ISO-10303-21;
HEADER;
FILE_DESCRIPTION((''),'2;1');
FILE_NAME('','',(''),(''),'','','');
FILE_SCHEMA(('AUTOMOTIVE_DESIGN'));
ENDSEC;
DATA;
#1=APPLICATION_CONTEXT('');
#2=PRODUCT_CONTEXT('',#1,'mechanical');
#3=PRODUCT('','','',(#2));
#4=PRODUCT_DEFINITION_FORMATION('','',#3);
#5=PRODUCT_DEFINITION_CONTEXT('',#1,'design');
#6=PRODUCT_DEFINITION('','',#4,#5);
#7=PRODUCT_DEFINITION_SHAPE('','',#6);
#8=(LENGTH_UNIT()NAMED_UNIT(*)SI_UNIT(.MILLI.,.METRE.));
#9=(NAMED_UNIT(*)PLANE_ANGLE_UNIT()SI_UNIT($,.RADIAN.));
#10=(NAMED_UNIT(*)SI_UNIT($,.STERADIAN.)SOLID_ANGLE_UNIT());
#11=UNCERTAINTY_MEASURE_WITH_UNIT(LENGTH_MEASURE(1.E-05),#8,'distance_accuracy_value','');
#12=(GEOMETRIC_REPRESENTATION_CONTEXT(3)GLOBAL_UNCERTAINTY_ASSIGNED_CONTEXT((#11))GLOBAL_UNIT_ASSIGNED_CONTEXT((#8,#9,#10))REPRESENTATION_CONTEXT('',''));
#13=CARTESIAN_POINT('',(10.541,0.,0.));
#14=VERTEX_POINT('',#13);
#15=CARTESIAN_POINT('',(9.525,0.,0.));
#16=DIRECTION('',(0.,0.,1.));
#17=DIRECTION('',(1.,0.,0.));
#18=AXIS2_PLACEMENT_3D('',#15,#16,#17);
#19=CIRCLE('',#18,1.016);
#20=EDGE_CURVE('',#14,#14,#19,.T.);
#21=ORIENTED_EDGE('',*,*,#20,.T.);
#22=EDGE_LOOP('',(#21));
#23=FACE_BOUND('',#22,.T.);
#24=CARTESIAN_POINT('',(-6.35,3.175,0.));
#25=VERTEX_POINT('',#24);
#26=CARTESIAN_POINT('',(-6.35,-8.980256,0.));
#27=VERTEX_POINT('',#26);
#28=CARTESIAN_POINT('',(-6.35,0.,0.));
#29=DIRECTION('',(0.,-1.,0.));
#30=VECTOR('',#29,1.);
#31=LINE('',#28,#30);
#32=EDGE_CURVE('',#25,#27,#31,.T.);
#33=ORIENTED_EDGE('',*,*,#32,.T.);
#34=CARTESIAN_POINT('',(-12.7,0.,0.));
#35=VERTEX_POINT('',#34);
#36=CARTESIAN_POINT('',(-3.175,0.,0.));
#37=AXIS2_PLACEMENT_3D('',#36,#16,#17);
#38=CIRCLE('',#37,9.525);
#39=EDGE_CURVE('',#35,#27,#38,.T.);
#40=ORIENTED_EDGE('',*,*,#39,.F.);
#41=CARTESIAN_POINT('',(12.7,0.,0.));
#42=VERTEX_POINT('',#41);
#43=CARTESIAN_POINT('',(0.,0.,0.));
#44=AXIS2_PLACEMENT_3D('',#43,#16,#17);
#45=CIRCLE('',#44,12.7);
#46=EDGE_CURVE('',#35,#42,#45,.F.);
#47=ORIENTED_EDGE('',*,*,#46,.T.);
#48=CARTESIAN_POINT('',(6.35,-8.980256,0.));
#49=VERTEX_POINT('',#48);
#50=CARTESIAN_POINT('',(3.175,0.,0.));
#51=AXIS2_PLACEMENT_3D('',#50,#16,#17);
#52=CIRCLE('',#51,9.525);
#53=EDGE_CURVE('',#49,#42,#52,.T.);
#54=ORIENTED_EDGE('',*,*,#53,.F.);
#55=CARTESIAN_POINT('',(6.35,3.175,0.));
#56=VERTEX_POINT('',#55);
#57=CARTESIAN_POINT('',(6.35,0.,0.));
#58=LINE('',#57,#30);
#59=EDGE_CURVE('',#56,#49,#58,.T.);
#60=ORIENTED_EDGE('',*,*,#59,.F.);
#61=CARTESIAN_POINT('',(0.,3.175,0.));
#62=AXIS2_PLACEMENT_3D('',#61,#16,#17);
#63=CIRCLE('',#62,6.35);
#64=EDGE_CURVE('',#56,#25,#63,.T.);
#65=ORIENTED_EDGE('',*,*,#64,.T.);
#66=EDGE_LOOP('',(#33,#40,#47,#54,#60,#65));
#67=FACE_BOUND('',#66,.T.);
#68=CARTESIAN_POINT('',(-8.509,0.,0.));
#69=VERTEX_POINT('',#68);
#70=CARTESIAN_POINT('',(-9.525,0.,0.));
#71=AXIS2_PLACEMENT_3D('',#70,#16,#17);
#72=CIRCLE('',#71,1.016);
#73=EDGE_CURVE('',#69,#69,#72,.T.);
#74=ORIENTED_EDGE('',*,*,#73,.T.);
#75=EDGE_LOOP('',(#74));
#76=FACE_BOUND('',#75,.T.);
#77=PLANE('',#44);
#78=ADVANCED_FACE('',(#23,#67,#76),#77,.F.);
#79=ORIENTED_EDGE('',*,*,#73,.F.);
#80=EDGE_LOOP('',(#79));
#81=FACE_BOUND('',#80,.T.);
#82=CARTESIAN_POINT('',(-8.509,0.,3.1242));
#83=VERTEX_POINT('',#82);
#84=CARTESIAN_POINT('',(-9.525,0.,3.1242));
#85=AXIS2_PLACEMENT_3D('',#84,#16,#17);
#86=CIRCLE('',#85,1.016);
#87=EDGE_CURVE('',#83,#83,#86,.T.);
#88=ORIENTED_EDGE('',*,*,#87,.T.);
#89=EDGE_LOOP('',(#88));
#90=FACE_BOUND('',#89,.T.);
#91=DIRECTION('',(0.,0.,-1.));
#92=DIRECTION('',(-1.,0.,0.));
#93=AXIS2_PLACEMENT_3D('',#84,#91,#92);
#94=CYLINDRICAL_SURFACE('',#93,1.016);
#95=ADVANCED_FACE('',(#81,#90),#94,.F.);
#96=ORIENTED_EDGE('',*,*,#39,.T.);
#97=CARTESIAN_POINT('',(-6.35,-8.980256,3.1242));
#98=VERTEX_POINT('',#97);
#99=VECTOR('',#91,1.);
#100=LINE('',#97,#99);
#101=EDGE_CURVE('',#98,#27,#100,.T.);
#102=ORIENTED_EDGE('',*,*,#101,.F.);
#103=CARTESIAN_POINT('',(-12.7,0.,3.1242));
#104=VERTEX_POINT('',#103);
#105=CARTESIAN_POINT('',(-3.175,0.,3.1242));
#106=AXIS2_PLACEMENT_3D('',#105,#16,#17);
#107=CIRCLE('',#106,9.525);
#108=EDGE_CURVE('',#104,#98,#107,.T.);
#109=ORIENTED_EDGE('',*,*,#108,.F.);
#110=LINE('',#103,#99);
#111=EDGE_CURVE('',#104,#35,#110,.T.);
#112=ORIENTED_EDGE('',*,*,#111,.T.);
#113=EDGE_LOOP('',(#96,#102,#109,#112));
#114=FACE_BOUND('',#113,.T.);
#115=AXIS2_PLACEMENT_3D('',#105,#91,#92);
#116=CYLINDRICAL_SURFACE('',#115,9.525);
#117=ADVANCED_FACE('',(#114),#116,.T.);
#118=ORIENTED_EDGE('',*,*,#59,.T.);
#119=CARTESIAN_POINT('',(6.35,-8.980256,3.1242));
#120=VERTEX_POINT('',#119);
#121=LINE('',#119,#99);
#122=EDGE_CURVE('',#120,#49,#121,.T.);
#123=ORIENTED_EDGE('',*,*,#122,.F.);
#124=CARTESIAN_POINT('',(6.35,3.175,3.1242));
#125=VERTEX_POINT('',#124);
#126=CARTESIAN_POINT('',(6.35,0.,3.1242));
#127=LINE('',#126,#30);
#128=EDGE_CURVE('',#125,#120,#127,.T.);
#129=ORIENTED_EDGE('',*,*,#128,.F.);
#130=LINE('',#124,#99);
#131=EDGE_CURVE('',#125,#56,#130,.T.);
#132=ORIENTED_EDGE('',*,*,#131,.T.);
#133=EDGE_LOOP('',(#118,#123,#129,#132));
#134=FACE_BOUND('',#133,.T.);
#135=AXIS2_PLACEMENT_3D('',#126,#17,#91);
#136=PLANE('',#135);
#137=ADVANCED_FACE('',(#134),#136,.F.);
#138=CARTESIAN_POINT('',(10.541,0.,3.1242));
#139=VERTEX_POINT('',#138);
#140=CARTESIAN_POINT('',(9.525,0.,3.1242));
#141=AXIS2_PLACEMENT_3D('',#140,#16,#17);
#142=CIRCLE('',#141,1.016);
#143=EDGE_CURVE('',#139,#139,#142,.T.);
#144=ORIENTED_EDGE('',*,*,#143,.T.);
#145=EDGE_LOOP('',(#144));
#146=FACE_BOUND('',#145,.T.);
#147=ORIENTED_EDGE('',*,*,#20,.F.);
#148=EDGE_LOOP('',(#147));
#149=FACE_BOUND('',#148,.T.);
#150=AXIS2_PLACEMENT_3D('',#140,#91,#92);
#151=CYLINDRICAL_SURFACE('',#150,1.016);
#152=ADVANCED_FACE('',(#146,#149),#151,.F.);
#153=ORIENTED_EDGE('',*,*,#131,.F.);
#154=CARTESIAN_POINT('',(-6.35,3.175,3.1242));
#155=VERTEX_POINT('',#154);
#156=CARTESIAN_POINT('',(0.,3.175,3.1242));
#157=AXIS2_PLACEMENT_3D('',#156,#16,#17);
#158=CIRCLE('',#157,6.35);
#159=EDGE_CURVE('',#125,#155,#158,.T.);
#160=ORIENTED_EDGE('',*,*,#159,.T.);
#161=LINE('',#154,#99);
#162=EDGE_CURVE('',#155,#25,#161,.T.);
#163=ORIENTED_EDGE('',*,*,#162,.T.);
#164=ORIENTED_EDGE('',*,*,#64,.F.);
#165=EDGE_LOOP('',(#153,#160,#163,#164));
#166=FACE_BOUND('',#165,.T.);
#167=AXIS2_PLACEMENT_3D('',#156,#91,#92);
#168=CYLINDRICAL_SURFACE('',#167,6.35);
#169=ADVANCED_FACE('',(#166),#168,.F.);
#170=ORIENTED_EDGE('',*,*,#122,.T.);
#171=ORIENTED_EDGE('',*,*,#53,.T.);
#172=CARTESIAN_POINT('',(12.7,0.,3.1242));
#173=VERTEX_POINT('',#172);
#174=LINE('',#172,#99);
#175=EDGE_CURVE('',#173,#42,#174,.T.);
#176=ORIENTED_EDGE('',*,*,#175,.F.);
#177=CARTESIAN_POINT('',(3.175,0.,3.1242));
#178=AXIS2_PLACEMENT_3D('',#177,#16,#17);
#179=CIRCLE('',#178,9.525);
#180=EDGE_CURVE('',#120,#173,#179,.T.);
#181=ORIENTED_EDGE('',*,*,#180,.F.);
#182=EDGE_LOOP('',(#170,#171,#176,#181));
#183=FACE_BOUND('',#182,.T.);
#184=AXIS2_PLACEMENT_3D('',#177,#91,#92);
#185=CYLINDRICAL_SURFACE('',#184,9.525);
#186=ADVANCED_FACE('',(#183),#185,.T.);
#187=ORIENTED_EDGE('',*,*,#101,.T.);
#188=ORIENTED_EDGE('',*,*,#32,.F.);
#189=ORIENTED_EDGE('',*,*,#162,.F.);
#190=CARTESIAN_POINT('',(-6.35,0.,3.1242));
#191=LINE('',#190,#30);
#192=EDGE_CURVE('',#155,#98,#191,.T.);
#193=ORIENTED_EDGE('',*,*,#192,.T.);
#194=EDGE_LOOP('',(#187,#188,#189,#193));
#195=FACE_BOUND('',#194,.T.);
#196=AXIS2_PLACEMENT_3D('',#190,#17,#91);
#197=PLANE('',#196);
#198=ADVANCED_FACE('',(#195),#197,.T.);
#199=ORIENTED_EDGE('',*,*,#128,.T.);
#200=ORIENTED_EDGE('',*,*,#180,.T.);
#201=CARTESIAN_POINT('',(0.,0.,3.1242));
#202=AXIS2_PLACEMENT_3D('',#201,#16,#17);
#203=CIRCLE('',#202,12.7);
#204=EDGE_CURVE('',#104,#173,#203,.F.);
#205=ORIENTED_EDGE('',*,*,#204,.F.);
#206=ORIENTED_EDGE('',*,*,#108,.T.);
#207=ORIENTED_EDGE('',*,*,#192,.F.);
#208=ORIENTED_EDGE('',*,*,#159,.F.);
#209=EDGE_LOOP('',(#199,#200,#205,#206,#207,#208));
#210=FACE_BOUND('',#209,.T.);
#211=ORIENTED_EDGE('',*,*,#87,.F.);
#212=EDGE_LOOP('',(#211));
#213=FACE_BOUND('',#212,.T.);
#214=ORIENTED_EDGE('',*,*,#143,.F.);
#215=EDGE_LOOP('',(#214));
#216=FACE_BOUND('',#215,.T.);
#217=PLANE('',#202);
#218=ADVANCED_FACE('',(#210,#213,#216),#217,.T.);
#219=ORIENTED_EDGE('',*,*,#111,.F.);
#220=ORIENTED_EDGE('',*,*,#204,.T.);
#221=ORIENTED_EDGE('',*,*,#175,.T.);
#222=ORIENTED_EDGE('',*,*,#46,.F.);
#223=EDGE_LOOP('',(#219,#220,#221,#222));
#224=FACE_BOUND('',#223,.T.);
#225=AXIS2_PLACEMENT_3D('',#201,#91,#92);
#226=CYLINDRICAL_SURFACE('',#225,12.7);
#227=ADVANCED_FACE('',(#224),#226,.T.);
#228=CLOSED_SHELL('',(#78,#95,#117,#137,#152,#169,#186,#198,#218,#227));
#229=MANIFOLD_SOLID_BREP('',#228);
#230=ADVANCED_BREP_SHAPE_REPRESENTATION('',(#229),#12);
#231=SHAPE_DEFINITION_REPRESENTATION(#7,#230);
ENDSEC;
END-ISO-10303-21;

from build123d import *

# Parameters (mm, degrees)
CROQUIS1_R              = 1.016
SALIENTE_EXTRUIR1_DEPTH = 3.1242


with BuildPart() as part:
    # Croquis1 → Saliente-Extruir1 (new body)
    with BuildSketch(Plane.XY):
        with BuildLine():
            Line((-1.7e-08, 9.525), (-3.175, 9.525))
            ThreePointArc((-3.175, 9.525), (-9.910192091, 6.735192091), (-12.7, 0))
            ThreePointArc((-12.7, 0), (-10.952129933, -5.499261314), (-6.35, -8.980256121))
            Line((-6.35, -8.980256121), (-6.35, -3.175))
            Line((-6.35, -3.175), (-6.35, 3.175))
            ThreePointArc((-6.35, 3.175), (-4.490128067, 7.665128054), (-1.7e-08, 9.525))
        make_face()
        with Locations((-9.525, 0)):
            Circle(CROQUIS1_R, mode=Mode.SUBTRACT)
        with BuildLine():
            ThreePointArc((-12.7, 0), (-9.910192091, 6.735192091), (-3.175, 9.525))
            Line((-3.175, 9.525), (-1.7e-08, 9.525))
            Line((-1.7e-08, 9.525), (3.175, 9.525))
            ThreePointArc((3.175, 9.525), (9.910192091, 6.735192091), (12.7, 0))
            ThreePointArc((12.7, 0), (8.980256121, 8.980256121), (0, 12.7))
            ThreePointArc((0, 12.7), (-8.980256121, 8.980256121), (-12.7, 0))
        make_face()
        with BuildLine():
            Line((3.175, 9.525), (-1.7e-08, 9.525))
            ThreePointArc((-1.7e-08, 9.525), (4.490128054, 7.665128067), (6.35, 3.175))
            Line((6.35, 3.175), (6.35, -3.175))
            Line((6.35, -3.175), (6.35, -8.980256121))
            ThreePointArc((6.35, -8.980256121), (10.952129933, -5.499261314), (12.7, 0))
            ThreePointArc((12.7, 0), (9.910192091, 6.735192091), (3.175, 9.525))
        make_face()
        with Locations((9.525, 0)):
            Circle(CROQUIS1_R, mode=Mode.SUBTRACT)
    extrude(amount=SALIENTE_EXTRUIR1_DEPTH)


solid = part.part
